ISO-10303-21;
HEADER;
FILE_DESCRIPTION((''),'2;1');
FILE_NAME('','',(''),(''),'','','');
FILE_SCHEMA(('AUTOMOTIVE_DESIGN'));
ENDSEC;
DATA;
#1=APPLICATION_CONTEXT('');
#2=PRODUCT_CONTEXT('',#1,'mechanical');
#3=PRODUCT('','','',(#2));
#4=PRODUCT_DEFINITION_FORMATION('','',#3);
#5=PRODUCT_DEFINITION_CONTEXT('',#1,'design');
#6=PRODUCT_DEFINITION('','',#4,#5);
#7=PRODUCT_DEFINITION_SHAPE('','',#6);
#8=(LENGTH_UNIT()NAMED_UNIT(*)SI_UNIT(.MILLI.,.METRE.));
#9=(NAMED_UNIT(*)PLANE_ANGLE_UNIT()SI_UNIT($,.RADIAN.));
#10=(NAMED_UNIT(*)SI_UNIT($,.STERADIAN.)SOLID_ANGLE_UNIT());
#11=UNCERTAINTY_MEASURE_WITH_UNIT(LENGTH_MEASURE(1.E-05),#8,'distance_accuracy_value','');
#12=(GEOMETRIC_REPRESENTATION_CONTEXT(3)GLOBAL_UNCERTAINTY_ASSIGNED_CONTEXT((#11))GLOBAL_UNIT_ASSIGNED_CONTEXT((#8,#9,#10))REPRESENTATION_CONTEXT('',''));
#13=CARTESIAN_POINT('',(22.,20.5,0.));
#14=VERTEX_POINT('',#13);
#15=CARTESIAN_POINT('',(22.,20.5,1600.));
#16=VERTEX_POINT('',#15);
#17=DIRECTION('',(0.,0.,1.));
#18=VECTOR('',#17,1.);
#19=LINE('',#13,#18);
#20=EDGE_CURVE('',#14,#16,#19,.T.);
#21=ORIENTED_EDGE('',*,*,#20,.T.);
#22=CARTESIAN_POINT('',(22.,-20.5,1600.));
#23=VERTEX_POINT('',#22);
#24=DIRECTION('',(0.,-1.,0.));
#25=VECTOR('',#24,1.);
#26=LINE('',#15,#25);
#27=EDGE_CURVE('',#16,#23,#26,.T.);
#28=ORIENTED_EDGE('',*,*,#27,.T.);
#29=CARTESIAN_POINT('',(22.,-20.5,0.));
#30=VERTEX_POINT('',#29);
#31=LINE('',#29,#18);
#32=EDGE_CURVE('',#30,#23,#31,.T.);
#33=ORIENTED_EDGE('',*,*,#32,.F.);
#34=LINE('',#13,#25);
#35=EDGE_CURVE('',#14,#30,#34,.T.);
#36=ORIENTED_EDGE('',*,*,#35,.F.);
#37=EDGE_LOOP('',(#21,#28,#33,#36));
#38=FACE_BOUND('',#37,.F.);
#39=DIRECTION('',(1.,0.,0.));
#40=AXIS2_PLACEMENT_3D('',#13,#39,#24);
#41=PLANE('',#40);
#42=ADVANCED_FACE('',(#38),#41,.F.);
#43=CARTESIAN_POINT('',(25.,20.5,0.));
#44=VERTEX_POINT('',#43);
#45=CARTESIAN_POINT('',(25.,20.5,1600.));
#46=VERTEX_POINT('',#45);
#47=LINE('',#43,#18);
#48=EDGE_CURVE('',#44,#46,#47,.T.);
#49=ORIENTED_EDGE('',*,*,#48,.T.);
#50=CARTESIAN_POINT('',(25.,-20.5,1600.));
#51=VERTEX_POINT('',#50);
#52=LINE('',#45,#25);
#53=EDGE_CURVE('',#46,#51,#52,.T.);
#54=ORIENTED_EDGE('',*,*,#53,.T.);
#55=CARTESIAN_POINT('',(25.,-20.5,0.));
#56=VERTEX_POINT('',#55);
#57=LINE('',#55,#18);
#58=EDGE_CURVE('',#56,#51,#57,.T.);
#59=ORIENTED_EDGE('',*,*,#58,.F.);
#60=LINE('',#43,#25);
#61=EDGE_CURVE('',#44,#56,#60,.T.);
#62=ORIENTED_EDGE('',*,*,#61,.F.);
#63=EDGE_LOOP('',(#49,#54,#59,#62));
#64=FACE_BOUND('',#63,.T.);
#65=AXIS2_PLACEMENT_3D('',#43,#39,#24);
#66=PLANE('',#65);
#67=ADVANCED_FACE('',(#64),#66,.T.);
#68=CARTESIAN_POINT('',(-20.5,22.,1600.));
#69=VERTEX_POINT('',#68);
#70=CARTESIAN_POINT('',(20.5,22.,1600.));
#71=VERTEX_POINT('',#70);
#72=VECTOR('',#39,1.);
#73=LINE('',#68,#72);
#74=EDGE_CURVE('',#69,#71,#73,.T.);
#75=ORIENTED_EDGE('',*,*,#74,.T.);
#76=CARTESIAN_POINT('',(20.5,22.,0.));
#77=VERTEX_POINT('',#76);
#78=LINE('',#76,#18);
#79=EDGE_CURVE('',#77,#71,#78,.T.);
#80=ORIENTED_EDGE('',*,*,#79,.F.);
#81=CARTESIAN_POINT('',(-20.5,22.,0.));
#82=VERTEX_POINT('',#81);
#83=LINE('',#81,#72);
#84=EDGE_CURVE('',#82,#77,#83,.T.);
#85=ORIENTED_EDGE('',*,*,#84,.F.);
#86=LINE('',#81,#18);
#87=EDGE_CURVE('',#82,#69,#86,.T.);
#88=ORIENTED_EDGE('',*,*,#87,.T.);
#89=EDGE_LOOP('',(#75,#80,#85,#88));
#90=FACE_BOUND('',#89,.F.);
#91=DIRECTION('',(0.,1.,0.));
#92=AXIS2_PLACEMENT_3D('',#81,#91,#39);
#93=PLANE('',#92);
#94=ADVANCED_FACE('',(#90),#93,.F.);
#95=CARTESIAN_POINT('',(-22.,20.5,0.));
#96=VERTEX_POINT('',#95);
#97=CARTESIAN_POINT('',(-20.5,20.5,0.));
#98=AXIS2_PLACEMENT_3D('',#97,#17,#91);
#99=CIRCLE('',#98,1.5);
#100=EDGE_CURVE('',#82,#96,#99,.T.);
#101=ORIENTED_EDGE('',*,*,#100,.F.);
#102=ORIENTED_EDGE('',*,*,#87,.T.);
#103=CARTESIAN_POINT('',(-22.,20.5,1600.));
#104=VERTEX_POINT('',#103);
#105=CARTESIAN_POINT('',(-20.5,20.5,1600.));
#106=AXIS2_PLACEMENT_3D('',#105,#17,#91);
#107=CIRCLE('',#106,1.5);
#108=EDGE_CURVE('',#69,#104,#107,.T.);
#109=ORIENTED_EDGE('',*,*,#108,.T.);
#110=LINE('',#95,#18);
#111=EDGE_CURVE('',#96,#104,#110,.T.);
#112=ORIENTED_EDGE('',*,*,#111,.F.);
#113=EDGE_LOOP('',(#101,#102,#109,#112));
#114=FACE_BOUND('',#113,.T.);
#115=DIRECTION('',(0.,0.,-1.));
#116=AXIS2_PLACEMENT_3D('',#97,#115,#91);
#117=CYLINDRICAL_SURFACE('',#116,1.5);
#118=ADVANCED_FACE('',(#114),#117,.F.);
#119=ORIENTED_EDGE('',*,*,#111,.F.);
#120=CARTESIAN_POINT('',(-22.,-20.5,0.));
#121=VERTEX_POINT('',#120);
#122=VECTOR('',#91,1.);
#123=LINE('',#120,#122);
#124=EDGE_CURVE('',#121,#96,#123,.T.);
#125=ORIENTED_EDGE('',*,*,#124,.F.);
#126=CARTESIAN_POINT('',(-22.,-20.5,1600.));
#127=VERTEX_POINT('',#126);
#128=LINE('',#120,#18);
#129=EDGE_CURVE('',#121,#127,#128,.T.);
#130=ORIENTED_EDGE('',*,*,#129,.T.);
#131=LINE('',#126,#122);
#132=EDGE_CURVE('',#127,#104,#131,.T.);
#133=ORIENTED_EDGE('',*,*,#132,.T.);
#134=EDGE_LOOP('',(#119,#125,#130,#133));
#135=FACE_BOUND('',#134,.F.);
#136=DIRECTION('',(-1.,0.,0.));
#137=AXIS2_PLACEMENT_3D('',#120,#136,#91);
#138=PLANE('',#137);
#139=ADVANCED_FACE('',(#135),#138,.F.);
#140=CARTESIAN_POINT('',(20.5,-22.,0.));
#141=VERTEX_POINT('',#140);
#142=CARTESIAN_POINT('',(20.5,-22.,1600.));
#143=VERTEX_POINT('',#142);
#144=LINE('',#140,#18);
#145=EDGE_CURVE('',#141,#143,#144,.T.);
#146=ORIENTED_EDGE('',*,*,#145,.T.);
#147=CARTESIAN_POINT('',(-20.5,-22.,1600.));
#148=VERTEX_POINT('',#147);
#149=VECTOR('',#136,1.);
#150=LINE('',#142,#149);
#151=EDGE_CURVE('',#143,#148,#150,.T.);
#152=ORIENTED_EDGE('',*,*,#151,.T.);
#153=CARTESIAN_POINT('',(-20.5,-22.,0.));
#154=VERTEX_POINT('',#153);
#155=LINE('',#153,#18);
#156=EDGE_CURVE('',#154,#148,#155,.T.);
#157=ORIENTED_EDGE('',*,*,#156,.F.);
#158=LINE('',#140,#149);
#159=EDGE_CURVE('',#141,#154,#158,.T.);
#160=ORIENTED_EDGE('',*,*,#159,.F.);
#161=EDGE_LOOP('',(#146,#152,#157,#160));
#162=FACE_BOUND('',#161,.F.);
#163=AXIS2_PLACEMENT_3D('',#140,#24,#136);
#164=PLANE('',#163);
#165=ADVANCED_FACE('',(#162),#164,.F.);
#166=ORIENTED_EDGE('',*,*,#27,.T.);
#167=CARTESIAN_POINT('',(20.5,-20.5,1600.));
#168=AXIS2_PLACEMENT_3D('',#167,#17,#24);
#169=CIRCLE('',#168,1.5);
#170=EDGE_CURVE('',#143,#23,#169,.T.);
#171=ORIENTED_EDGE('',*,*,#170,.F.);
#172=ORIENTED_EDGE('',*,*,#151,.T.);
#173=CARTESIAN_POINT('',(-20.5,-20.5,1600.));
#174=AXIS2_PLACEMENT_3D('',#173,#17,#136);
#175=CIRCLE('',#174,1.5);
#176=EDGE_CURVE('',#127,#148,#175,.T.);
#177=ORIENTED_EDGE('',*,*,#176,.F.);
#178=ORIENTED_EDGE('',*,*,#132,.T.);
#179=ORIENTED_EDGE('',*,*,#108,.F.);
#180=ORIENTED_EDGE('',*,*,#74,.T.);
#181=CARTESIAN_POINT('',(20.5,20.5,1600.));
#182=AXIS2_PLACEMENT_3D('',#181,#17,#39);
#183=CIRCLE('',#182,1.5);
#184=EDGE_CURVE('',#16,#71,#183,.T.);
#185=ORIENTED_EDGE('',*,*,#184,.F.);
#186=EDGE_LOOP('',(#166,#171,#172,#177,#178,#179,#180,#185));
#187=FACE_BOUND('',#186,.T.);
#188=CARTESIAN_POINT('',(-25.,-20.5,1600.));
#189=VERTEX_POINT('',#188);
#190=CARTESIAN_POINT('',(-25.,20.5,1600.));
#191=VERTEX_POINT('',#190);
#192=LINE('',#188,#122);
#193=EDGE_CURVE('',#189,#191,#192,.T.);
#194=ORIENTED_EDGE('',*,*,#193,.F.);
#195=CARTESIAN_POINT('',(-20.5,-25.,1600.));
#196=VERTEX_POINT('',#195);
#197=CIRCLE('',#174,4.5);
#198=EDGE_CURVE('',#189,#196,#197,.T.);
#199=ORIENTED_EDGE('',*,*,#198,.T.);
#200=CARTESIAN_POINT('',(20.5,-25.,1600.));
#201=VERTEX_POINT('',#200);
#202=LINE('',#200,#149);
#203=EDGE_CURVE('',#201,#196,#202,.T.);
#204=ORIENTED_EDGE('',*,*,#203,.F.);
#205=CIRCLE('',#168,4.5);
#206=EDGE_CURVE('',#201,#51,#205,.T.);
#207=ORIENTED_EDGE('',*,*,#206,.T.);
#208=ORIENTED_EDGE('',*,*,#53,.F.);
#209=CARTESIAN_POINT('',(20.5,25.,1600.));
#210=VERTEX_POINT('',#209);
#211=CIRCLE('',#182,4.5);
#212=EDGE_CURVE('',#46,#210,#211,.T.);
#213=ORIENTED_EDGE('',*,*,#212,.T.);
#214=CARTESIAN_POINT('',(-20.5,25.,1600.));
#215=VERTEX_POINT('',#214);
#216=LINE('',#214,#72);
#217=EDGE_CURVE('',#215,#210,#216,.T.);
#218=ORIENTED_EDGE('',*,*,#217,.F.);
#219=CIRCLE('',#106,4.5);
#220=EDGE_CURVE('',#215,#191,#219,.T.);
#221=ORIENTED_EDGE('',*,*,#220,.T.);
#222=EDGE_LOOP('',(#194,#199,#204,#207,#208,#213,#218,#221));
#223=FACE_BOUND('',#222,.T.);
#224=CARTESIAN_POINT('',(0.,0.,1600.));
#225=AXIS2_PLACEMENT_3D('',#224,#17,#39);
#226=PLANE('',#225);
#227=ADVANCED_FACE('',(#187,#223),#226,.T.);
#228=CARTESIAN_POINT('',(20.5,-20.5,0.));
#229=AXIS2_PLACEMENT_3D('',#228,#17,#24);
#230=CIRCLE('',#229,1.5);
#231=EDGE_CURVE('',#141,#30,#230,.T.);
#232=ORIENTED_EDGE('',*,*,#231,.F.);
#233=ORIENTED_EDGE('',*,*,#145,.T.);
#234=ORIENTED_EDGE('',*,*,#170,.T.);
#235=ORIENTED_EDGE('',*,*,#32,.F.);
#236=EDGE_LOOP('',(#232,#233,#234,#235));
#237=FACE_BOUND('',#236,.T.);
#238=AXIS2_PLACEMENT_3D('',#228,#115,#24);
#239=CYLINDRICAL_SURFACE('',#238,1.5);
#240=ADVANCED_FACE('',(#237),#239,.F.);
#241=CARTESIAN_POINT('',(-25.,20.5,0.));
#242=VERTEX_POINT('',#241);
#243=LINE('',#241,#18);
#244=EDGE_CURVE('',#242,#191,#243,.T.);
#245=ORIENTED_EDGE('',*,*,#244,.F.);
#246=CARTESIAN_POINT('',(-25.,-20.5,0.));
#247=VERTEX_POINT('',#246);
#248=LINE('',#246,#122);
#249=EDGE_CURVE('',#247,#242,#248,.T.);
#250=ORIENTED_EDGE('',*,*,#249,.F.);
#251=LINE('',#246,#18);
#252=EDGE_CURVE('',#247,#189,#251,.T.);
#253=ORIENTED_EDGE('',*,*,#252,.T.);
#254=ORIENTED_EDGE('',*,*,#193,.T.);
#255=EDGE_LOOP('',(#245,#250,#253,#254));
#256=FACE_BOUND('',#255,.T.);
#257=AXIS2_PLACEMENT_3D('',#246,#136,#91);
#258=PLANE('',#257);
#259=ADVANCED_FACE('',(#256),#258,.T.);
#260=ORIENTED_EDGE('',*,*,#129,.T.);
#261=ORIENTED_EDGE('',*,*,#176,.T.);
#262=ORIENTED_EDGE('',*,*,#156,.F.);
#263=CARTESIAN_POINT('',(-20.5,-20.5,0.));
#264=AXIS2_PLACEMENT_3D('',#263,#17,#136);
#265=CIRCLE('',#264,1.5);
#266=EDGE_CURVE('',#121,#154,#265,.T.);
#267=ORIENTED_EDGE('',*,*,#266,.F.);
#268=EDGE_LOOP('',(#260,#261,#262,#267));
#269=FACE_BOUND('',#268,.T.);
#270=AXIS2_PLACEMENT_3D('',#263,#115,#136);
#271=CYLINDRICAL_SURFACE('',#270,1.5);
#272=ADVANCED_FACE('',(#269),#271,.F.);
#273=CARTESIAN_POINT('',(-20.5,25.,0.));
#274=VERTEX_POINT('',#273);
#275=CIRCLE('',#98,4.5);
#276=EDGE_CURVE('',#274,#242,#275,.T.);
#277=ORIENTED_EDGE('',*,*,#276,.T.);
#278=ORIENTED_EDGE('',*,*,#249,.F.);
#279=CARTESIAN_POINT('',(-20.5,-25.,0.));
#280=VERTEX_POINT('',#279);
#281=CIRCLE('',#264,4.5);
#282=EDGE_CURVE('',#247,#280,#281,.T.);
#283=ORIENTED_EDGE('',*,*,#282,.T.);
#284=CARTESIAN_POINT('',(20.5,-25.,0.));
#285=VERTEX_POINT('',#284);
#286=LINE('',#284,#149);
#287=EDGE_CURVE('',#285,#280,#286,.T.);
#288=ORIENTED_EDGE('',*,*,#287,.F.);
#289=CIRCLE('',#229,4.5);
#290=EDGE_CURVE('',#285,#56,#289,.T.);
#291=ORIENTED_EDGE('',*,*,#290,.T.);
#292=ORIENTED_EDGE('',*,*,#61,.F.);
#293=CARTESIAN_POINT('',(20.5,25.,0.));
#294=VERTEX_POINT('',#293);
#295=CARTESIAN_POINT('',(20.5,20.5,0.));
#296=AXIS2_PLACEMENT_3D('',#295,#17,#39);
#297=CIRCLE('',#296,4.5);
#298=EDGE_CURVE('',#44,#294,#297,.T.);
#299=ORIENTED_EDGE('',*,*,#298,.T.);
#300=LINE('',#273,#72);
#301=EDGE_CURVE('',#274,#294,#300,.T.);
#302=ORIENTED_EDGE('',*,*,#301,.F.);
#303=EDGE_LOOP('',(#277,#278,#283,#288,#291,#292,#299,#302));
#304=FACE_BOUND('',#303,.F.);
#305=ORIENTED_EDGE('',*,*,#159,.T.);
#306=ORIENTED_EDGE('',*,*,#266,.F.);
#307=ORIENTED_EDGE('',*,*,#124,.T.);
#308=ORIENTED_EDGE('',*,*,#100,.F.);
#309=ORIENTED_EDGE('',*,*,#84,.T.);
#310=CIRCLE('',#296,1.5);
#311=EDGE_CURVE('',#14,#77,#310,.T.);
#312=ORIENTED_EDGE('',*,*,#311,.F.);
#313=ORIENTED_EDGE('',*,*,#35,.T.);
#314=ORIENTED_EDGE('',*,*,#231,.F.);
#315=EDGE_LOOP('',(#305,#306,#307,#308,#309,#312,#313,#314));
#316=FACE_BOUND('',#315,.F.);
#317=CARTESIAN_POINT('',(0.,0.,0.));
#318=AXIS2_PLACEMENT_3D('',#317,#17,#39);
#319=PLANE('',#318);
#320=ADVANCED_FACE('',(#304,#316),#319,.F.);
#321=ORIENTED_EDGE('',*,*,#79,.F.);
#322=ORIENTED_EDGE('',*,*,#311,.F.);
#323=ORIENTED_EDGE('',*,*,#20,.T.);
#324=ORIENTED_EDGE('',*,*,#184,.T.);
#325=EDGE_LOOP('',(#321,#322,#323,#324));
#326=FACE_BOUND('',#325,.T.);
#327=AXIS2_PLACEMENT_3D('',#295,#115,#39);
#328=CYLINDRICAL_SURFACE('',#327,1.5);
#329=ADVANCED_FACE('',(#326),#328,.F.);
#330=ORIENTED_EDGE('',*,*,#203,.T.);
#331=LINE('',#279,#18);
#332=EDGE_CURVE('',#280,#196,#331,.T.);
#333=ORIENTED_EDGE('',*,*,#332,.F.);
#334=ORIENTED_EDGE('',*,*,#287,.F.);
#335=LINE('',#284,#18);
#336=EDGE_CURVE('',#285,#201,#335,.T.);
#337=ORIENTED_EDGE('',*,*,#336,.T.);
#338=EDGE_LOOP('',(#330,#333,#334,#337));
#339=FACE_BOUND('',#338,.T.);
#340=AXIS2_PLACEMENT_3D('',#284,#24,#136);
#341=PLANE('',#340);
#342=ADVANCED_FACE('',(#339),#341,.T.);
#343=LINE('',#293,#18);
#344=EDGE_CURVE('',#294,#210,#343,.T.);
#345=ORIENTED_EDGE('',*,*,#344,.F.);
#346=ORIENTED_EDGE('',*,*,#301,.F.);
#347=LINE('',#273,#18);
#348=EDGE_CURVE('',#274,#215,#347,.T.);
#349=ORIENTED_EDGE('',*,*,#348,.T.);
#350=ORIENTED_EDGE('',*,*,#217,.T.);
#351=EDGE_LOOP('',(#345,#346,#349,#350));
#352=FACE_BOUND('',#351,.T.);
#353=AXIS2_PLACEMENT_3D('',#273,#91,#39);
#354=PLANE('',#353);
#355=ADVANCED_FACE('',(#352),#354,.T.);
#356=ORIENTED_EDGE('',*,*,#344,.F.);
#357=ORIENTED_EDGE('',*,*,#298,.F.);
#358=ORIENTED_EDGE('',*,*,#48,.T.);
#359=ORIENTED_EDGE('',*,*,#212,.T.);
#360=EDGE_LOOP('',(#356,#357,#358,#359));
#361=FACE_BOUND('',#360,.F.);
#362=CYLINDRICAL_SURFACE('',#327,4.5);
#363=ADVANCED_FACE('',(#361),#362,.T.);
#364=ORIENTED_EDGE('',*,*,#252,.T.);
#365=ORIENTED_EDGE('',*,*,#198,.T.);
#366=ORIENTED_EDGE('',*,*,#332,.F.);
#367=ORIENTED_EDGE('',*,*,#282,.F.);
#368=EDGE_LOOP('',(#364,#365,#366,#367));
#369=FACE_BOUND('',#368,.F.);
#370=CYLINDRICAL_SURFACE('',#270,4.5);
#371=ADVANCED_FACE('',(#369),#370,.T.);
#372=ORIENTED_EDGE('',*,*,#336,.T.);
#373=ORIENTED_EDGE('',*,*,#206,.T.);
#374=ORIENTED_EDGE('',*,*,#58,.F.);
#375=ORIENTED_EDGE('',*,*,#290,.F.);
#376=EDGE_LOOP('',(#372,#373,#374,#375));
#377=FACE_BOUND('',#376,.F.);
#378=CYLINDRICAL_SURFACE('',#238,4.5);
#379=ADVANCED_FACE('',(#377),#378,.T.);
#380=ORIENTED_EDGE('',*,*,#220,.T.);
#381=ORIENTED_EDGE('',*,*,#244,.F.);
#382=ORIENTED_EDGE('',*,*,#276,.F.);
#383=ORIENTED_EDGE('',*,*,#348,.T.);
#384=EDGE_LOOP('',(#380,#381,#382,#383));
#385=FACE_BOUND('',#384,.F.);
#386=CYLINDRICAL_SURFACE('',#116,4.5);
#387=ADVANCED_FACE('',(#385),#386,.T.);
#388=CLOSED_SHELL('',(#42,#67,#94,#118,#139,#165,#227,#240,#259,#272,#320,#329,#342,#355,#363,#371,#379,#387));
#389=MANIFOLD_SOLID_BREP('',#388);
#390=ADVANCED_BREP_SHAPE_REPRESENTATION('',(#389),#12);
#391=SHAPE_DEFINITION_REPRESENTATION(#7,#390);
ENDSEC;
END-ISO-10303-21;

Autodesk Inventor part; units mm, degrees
ref_plane "YZ Plane" through (0, 0, 0) normal (1, 0, 0) x (0, 1, 0)
ref_plane "Start plane" through (0, 0, 0) normal (0, 0, 1) x (1, 0, 0)
ref_plane "End plane" through (0, 0, 1600) normal (0, 0, 1) x (1, 0, 0)
sketch "Sketch" plane through (0, 0, 0) normal (0, 0, 1) x (1, 0, 0)
  line L0 (-25, -20.5) -> (-25, 20.5)
  line L1 (-20.5, 25) -> (20.5, 25)
  line L2 (25, 20.5) -> (25, -20.5)
  line L3 (20.5, -25) -> (-20.5, -25)
  arc A0 (-25, -20.5) -> (-20.5, -25) centre (-20.5, -20.5) ccw
  arc A1 (-20.5, 25) -> (-25, 20.5) centre (-20.5, 20.5) ccw
  arc A2 (25, 20.5) -> (20.5, 25) centre (20.5, 20.5) ccw
  arc A3 (20.5, -25) -> (25, -20.5) centre (20.5, -20.5) ccw
  arc A4 (-20.5, 22) -> (-22, 20.5) centre (-20.5, 20.5) ccw
  line L4 (-20.5, 22) -> (20.5, 22)
  arc A5 (22, 20.5) -> (20.5, 22) centre (20.5, 20.5) ccw
  line L5 (22, 20.5) -> (22, -20.5)
  arc A6 (20.5, -22) -> (22, -20.5) centre (20.5, -20.5) ccw
  line L6 (20.5, -22) -> (-20.5, -22)
  arc A7 (-22, -20.5) -> (-20.5, -22) centre (-20.5, -20.5) ccw
  line L7 (-22, -20.5) -> (-22, 20.5)
  line L8 (0, 36.3048) -> (0, -36.3048) construction
  line L9 (-36.3048, 0) -> (36.3048, 0) construction
  dimension "d7" = 4.5
  dimension "d10" = 50
  dimension "d11" = 50
  dimension "d12" = 3
  dimension "d15" = 25
  dimension "d16" = 25
extrude "Body" add sketch "Sketch" along normal up to surface (1600 mm away) from surface at 0
sketch "Sketch3" plane through (0, 0, 0) normal (0, 0, 1) x (1, 0, 0)
  line L0 (0, 0) -> (10, 0)
ref_plane "Work Plane3" through (0, 0, 0) normal (0, -1, 0) x (1, 0, 0)
sketch "Sketch4" plane through (0, 0, 0) normal (0, -1, 0) x (1, 0, 0)
  line L0 (-2, 0) -> (12, 0) projected
  line L1 (-2, 1600) -> (12, 1600) projected
  dimension "d18" = 1600
equation "\"d7\" = G_IR"
equation "\"d10\" = G_H"
equation "\"d11\" = G_W"
equation "\"d12\" = G_T"
equation "\"d15\" = 0.5 * d10"
equation "\"d16\" = 0.5 * d11"
equation "\"d3\" = G_L"
equation "\"G_W\" = 50"
equation "\"G_H\" = 50"
equation "\"G_T\" = 3"
equation "\"G_IR\" = 4.5"
equation "\"G_L\" = d18"
equation "\"G_OFFSET_START\" = 0"
equation "\"G_OFFSET_END\" = 0"
properties part number "ISO 12633-2 - 50x50x3 - 1600" material "Steel, Mild"
